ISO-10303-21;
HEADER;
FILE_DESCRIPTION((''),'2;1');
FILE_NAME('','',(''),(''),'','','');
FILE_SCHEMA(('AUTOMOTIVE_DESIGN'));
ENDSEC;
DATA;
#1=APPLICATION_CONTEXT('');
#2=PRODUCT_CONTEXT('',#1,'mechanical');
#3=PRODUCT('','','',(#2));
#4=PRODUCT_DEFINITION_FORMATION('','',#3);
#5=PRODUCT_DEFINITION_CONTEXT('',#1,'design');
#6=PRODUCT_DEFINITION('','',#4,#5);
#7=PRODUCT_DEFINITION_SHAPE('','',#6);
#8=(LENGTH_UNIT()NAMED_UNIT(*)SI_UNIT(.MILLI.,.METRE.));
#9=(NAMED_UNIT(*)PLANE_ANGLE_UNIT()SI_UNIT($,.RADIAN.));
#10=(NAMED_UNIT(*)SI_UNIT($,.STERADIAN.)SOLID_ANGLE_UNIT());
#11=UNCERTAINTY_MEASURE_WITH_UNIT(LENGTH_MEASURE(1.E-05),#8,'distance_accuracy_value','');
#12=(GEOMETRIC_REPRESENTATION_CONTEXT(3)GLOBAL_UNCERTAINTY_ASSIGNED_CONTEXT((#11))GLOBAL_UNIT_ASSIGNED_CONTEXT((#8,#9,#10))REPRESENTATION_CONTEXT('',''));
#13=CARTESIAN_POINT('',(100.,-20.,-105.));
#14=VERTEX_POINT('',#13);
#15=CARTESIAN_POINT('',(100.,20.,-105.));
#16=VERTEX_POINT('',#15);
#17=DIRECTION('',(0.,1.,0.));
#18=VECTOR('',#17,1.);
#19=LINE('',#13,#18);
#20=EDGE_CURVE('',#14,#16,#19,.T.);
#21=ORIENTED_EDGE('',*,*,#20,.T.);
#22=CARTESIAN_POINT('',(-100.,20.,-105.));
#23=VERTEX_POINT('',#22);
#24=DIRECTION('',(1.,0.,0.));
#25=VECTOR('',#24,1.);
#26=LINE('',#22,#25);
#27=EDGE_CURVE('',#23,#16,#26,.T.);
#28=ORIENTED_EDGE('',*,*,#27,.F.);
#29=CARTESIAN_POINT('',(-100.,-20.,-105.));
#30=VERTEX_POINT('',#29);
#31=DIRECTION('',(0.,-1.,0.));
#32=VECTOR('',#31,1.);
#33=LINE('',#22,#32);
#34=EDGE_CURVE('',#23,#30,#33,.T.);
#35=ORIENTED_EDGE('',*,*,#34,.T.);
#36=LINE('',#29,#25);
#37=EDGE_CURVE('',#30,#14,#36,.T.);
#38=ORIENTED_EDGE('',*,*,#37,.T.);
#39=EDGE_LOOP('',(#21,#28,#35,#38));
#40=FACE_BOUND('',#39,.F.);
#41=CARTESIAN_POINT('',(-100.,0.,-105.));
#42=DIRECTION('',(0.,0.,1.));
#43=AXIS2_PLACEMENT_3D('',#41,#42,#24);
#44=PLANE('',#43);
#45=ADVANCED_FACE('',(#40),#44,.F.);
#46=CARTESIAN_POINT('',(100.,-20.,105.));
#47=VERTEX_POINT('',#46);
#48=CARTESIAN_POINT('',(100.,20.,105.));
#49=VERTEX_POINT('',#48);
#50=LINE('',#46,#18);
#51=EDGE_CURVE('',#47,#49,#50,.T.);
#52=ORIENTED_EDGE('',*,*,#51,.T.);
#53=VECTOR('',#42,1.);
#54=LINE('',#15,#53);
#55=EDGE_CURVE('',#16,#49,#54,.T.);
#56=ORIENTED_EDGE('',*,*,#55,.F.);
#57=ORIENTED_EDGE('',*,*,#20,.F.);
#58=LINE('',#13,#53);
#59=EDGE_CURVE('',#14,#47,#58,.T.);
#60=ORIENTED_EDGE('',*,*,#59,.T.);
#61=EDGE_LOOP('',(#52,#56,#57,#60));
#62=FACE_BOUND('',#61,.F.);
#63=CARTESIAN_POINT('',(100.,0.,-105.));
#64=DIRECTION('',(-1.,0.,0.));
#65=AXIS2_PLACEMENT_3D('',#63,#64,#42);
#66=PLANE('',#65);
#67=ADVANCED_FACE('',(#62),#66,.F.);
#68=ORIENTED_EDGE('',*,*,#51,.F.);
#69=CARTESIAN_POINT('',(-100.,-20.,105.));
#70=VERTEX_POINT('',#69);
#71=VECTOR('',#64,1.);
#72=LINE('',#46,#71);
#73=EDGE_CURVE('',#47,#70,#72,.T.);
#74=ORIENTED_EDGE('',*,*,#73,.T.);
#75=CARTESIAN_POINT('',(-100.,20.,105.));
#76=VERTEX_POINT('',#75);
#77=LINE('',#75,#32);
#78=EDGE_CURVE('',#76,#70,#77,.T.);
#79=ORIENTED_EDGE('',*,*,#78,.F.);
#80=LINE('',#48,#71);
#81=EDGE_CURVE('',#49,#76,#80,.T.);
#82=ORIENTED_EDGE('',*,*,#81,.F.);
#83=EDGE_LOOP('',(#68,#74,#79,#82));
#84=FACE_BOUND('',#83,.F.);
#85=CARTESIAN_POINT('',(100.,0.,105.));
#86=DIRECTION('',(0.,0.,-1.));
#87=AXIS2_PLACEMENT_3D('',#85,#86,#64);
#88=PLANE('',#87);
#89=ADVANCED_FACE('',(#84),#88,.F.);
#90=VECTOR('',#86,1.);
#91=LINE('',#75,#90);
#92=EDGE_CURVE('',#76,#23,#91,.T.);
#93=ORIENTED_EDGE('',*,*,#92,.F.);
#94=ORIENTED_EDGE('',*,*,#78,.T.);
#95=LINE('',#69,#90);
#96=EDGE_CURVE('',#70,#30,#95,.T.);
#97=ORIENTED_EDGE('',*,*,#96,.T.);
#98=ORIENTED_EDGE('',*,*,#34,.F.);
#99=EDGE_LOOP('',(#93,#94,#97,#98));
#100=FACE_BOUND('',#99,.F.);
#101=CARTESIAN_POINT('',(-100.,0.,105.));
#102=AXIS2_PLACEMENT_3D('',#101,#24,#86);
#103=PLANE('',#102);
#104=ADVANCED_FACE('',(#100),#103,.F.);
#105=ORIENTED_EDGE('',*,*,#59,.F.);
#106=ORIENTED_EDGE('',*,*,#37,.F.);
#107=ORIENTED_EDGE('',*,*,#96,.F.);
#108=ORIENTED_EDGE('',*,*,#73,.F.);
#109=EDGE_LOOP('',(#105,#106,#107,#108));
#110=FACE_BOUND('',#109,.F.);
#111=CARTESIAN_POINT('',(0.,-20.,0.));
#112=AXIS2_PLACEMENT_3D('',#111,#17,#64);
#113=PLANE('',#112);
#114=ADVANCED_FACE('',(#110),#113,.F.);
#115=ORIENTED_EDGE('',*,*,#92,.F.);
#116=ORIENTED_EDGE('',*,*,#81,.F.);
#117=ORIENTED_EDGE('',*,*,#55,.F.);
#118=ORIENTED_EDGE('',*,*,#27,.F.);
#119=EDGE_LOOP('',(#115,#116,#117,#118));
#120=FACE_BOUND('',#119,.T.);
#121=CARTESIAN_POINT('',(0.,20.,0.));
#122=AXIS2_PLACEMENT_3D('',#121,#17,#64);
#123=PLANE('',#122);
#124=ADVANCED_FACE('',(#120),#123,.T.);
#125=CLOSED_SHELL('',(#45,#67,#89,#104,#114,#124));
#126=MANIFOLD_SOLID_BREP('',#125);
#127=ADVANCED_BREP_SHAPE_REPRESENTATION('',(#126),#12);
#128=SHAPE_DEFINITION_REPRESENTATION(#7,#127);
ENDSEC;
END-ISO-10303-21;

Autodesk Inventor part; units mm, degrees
sketch "Sketch1" plane through (0, 0, 0) normal (0, 1, 0) x (-1, 0, 0)
  line L0 (-100, 105) -> (100, 105)
  line L1 (100, 105) -> (100, -105)
  line L2 (100, -105) -> (-100, -105)
  line L3 (-100, -105) -> (-100, 105)
  line L4 (-100, 105) -> (100, -105) construction
  line L5 (100, 105) -> (-100, -105) construction
  point P0 (0, 0)
  dimension "d0" = 200
  dimension "d1" = 210
extrude "Extrusion1" add sketch "Sketch1" against normal mid plane 40
sketch "Sketch3" plane through (0, 20, 0) normal (0, 1, 0) x (1, 0, 0)
  line L0 (-100, 105) -> (-100, -105) construction
  line L1 (-100, -105) -> (100, -105) construction
  line L2 (0, 147) -> (0, -147) construction
  point P0 (0, 0)
  point P1 (-80, -85)
  point P2 (80, -85)
  dimension "d5" = 20
  dimension "d6" = 20
properties part number "hub"
